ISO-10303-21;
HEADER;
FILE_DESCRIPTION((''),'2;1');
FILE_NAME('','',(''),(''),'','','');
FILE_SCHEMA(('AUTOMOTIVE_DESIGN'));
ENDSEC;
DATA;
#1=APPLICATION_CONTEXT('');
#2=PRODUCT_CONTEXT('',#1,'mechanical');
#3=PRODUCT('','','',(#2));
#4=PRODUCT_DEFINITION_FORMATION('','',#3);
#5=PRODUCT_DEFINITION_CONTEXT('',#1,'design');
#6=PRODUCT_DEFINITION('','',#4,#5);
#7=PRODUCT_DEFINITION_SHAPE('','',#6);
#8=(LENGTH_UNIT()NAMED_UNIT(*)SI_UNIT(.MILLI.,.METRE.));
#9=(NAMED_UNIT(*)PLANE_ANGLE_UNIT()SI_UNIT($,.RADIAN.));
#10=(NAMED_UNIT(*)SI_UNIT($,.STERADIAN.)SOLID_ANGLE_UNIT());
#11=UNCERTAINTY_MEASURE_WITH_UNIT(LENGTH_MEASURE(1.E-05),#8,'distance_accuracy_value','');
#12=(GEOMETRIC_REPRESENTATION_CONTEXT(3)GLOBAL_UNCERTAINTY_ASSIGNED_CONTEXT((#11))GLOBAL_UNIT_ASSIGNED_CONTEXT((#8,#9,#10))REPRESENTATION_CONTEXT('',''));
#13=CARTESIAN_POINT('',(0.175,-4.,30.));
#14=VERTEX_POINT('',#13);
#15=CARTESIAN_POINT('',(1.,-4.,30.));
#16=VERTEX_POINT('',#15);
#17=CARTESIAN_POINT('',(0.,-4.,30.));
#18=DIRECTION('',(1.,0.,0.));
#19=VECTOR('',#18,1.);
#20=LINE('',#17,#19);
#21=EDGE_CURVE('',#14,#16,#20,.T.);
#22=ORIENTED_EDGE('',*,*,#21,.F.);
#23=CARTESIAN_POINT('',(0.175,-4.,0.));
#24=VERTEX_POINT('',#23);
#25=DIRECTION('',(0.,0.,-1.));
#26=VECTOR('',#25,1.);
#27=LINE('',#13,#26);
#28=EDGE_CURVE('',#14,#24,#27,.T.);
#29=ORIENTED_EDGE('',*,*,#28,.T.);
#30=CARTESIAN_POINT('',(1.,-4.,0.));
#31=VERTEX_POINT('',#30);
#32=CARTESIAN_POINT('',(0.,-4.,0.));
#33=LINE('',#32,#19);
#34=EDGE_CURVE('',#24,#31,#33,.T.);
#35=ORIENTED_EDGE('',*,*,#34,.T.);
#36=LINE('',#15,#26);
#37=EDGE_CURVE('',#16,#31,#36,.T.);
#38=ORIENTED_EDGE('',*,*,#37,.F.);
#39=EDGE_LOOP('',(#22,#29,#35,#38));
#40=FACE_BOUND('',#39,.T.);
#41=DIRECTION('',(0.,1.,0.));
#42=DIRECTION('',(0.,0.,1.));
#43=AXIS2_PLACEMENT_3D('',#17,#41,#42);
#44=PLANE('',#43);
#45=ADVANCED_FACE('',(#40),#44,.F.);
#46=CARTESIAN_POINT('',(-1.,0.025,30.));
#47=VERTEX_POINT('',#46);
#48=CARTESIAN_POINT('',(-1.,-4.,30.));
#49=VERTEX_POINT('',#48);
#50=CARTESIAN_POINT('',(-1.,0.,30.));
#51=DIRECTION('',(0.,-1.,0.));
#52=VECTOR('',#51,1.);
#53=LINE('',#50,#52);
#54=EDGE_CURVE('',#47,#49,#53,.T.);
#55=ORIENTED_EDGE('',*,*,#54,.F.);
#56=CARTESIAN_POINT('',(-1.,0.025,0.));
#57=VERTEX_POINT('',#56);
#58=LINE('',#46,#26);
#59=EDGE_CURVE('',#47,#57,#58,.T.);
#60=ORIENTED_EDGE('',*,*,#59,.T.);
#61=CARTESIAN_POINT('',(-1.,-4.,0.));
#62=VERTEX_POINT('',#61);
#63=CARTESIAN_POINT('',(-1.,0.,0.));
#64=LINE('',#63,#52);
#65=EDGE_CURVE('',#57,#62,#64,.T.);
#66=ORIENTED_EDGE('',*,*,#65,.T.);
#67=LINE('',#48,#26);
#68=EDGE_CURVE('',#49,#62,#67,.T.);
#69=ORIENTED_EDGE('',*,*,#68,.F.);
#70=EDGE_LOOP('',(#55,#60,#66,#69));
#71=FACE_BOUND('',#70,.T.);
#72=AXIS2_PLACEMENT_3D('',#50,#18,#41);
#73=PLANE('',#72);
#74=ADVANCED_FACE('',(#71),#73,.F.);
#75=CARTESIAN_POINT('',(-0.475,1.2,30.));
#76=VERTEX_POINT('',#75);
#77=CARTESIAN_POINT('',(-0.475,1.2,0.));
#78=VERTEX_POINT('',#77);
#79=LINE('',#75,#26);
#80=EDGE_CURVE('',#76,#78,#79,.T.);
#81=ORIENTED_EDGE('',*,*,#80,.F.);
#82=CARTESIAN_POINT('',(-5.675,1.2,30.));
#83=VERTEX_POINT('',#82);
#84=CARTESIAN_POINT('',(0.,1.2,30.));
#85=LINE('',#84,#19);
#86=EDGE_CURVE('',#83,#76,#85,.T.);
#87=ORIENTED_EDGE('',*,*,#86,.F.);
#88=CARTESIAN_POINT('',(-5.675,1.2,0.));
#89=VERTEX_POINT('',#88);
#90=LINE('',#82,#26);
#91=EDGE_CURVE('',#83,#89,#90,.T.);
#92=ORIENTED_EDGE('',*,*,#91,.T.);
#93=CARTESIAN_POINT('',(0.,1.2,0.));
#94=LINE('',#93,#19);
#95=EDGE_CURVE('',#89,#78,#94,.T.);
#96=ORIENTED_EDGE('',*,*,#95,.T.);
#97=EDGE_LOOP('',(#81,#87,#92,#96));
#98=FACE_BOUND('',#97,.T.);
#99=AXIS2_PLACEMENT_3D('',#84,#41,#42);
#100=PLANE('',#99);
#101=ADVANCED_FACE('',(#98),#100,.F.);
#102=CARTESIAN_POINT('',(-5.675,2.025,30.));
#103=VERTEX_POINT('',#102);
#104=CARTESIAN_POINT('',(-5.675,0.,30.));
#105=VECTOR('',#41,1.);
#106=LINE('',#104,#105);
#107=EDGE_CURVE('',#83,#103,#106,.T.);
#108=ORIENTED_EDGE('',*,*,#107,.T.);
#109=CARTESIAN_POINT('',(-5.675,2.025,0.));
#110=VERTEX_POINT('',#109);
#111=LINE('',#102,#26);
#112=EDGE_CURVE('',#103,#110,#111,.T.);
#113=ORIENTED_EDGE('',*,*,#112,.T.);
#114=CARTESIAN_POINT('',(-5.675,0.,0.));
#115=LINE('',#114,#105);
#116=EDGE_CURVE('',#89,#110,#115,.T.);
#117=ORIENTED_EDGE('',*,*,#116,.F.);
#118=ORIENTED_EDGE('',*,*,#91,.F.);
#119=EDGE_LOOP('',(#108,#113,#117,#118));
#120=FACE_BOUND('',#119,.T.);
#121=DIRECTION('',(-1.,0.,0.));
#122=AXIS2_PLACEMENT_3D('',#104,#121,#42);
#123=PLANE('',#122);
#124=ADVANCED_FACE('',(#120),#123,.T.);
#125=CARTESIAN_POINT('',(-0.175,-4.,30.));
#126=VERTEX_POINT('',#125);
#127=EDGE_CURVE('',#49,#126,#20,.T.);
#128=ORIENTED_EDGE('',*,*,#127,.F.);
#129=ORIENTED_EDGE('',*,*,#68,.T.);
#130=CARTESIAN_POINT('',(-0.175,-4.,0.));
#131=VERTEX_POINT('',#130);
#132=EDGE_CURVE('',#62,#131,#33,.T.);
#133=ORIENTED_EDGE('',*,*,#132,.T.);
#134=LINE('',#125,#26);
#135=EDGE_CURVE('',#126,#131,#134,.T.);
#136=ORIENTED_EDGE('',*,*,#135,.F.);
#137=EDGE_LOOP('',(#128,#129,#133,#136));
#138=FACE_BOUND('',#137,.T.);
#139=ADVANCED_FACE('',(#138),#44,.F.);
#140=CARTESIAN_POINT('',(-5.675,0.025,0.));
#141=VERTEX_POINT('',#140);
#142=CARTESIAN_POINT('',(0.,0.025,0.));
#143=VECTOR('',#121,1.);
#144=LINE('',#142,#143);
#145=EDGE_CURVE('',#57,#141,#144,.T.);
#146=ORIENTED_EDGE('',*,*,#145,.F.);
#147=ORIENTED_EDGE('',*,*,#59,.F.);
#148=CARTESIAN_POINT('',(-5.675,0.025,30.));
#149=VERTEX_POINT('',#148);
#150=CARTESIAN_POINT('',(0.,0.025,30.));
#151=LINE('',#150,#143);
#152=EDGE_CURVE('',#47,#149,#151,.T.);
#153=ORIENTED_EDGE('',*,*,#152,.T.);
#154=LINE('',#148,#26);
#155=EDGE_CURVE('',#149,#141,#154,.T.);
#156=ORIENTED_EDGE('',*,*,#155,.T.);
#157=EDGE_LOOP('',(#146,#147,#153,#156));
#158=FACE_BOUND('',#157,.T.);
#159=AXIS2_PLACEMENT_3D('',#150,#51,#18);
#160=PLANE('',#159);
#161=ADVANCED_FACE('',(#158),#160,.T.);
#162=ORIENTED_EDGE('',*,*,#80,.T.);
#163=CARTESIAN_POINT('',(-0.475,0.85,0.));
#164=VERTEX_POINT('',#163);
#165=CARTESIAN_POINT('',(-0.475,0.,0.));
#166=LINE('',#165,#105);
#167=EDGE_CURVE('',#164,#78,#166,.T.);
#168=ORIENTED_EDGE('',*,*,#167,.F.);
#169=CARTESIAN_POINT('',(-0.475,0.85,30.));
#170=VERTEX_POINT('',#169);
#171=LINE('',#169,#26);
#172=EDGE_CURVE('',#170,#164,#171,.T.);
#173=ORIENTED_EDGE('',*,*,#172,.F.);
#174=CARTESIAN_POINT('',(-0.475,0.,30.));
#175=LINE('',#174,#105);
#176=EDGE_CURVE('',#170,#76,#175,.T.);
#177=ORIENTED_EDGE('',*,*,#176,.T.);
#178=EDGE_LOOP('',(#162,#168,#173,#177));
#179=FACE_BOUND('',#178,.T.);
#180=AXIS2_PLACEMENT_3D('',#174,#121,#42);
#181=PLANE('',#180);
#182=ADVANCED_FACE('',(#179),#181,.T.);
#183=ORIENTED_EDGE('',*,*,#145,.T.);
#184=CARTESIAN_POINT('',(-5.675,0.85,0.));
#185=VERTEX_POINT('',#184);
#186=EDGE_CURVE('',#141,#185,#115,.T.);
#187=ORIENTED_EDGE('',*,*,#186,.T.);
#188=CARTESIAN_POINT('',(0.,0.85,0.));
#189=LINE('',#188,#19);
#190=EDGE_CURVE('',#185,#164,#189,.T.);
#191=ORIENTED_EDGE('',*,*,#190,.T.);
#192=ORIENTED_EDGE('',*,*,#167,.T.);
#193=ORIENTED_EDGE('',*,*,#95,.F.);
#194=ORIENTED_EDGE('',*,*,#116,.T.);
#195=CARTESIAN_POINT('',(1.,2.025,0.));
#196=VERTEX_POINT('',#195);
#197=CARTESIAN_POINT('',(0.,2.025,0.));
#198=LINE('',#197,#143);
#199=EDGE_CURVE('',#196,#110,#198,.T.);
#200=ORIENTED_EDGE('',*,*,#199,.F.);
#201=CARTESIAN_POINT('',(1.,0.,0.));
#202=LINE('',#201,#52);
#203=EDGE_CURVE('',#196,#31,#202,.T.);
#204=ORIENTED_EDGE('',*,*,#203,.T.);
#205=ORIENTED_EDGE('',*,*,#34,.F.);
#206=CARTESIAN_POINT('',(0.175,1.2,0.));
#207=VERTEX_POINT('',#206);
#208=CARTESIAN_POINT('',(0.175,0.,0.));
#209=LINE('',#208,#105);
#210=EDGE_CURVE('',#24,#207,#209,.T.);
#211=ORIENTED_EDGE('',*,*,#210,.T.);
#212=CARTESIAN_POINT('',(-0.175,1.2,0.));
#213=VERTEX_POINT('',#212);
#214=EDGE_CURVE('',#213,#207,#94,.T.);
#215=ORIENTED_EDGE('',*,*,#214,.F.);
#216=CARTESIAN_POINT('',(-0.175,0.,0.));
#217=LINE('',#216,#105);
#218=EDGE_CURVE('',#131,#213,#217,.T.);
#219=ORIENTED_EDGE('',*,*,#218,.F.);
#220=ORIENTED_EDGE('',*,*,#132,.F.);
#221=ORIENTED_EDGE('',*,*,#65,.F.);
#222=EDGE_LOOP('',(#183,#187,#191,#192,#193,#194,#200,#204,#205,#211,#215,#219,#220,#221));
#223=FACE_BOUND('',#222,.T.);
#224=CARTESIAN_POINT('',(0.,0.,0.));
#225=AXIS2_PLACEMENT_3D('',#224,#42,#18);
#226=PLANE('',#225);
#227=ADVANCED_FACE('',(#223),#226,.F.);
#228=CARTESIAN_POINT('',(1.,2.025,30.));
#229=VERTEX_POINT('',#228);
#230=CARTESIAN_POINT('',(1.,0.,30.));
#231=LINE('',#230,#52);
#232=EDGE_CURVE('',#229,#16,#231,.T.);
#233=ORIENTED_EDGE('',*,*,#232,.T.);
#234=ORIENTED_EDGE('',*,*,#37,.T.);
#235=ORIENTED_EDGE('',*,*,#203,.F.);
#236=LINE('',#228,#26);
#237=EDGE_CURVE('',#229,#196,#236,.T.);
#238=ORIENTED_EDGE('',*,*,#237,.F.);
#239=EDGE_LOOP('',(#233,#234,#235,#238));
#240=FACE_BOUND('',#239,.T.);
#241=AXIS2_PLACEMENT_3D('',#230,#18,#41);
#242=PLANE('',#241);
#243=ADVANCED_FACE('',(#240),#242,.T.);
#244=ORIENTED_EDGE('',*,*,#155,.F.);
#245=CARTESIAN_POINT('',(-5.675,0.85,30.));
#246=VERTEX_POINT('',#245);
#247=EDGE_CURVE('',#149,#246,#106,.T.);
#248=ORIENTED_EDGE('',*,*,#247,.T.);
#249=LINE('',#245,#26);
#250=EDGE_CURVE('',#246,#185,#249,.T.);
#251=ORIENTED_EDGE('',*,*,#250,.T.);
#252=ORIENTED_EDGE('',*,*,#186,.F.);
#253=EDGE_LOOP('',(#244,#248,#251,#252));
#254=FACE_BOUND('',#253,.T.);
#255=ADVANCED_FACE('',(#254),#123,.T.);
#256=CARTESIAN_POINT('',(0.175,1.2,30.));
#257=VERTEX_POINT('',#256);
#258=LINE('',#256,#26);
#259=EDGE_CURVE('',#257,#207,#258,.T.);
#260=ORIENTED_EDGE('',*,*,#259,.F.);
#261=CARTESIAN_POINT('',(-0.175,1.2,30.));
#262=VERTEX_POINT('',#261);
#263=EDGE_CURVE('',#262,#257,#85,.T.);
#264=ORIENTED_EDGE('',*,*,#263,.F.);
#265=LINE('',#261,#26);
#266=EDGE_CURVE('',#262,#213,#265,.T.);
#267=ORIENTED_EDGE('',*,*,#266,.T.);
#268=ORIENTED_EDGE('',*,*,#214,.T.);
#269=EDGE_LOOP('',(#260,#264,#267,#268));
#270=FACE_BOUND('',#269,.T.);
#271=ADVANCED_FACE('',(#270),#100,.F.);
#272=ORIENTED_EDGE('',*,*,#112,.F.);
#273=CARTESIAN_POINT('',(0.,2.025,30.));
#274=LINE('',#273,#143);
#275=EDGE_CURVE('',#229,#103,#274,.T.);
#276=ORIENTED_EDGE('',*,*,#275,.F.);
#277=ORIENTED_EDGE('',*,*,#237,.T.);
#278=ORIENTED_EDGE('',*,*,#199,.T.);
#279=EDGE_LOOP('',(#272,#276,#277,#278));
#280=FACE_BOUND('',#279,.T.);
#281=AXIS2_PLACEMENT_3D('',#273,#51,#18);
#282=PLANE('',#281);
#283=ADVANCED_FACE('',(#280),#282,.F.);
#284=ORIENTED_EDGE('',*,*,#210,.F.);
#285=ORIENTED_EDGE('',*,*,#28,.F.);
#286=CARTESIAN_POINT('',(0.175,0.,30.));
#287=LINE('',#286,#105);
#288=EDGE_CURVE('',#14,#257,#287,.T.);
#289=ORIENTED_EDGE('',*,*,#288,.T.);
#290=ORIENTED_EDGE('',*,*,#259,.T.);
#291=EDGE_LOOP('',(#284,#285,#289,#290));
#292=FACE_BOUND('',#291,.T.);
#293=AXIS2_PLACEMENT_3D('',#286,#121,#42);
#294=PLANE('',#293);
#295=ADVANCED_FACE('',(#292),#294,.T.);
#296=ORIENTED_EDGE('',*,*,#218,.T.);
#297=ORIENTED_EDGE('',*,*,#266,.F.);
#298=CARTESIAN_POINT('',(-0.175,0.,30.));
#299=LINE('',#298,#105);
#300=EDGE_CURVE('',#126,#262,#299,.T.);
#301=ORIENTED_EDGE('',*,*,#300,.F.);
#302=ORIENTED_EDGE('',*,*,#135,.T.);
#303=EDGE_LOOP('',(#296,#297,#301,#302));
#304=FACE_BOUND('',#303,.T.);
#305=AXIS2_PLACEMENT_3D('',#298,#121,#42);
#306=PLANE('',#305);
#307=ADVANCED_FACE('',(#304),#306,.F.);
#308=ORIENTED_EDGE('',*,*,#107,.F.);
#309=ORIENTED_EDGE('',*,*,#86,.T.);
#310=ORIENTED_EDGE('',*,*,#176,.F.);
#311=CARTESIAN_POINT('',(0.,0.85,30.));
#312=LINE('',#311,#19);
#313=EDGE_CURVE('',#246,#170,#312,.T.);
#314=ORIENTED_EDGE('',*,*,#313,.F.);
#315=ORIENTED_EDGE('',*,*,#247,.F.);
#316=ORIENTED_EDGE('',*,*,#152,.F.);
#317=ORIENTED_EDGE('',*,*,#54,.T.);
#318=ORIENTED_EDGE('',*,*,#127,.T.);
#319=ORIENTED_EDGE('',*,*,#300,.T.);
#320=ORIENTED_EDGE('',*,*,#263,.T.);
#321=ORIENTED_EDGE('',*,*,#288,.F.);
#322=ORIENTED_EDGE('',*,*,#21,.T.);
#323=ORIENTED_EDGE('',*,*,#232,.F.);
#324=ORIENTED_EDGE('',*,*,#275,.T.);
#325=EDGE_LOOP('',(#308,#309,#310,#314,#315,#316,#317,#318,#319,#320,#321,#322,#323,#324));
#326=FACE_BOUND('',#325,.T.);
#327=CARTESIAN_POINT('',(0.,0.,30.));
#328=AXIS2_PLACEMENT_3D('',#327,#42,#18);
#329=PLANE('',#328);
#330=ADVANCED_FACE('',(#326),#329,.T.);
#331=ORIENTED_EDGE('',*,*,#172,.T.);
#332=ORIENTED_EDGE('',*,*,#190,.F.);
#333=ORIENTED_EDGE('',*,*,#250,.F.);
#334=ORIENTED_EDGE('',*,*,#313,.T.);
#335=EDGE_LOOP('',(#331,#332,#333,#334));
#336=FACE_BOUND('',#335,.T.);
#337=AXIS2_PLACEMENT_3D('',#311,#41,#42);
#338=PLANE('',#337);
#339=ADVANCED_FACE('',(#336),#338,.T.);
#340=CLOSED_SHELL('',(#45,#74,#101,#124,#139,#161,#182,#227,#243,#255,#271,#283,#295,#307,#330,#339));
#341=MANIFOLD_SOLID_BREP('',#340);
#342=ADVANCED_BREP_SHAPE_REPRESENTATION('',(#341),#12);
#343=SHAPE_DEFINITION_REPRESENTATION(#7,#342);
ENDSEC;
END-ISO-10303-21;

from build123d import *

# Parameters (mm, degrees)
SKETCH1_W           = 4.675
SKETCH1_H           = 0.825
BOSS_EXTRUDE1_DEPTH = 30


with BuildPart() as part:
    # Sketch1 → Boss-Extrude1 (new body)
    with BuildSketch(Plane.XY):
        with Locations((-3.3375, 1.6125)):
            Rectangle(SKETCH1_W, SKETCH1_H)
        with Locations((-3.3375, 0.4375)):
            Rectangle(SKETCH1_W, SKETCH1_H)
        Polygon((1, 2.025), (-1, 2.025), (-1, 1.2), (-0.475, 1.2), (-0.475, 0.85), (-1, 0.85), (-1, 0.025), (-1, -4), (-0.175, -4), (-0.175, 1.2), (0.175, 1.2), (0.175, -4), (1, -4), align=None)
    extrude(amount=BOSS_EXTRUDE1_DEPTH)


solid = part.part
